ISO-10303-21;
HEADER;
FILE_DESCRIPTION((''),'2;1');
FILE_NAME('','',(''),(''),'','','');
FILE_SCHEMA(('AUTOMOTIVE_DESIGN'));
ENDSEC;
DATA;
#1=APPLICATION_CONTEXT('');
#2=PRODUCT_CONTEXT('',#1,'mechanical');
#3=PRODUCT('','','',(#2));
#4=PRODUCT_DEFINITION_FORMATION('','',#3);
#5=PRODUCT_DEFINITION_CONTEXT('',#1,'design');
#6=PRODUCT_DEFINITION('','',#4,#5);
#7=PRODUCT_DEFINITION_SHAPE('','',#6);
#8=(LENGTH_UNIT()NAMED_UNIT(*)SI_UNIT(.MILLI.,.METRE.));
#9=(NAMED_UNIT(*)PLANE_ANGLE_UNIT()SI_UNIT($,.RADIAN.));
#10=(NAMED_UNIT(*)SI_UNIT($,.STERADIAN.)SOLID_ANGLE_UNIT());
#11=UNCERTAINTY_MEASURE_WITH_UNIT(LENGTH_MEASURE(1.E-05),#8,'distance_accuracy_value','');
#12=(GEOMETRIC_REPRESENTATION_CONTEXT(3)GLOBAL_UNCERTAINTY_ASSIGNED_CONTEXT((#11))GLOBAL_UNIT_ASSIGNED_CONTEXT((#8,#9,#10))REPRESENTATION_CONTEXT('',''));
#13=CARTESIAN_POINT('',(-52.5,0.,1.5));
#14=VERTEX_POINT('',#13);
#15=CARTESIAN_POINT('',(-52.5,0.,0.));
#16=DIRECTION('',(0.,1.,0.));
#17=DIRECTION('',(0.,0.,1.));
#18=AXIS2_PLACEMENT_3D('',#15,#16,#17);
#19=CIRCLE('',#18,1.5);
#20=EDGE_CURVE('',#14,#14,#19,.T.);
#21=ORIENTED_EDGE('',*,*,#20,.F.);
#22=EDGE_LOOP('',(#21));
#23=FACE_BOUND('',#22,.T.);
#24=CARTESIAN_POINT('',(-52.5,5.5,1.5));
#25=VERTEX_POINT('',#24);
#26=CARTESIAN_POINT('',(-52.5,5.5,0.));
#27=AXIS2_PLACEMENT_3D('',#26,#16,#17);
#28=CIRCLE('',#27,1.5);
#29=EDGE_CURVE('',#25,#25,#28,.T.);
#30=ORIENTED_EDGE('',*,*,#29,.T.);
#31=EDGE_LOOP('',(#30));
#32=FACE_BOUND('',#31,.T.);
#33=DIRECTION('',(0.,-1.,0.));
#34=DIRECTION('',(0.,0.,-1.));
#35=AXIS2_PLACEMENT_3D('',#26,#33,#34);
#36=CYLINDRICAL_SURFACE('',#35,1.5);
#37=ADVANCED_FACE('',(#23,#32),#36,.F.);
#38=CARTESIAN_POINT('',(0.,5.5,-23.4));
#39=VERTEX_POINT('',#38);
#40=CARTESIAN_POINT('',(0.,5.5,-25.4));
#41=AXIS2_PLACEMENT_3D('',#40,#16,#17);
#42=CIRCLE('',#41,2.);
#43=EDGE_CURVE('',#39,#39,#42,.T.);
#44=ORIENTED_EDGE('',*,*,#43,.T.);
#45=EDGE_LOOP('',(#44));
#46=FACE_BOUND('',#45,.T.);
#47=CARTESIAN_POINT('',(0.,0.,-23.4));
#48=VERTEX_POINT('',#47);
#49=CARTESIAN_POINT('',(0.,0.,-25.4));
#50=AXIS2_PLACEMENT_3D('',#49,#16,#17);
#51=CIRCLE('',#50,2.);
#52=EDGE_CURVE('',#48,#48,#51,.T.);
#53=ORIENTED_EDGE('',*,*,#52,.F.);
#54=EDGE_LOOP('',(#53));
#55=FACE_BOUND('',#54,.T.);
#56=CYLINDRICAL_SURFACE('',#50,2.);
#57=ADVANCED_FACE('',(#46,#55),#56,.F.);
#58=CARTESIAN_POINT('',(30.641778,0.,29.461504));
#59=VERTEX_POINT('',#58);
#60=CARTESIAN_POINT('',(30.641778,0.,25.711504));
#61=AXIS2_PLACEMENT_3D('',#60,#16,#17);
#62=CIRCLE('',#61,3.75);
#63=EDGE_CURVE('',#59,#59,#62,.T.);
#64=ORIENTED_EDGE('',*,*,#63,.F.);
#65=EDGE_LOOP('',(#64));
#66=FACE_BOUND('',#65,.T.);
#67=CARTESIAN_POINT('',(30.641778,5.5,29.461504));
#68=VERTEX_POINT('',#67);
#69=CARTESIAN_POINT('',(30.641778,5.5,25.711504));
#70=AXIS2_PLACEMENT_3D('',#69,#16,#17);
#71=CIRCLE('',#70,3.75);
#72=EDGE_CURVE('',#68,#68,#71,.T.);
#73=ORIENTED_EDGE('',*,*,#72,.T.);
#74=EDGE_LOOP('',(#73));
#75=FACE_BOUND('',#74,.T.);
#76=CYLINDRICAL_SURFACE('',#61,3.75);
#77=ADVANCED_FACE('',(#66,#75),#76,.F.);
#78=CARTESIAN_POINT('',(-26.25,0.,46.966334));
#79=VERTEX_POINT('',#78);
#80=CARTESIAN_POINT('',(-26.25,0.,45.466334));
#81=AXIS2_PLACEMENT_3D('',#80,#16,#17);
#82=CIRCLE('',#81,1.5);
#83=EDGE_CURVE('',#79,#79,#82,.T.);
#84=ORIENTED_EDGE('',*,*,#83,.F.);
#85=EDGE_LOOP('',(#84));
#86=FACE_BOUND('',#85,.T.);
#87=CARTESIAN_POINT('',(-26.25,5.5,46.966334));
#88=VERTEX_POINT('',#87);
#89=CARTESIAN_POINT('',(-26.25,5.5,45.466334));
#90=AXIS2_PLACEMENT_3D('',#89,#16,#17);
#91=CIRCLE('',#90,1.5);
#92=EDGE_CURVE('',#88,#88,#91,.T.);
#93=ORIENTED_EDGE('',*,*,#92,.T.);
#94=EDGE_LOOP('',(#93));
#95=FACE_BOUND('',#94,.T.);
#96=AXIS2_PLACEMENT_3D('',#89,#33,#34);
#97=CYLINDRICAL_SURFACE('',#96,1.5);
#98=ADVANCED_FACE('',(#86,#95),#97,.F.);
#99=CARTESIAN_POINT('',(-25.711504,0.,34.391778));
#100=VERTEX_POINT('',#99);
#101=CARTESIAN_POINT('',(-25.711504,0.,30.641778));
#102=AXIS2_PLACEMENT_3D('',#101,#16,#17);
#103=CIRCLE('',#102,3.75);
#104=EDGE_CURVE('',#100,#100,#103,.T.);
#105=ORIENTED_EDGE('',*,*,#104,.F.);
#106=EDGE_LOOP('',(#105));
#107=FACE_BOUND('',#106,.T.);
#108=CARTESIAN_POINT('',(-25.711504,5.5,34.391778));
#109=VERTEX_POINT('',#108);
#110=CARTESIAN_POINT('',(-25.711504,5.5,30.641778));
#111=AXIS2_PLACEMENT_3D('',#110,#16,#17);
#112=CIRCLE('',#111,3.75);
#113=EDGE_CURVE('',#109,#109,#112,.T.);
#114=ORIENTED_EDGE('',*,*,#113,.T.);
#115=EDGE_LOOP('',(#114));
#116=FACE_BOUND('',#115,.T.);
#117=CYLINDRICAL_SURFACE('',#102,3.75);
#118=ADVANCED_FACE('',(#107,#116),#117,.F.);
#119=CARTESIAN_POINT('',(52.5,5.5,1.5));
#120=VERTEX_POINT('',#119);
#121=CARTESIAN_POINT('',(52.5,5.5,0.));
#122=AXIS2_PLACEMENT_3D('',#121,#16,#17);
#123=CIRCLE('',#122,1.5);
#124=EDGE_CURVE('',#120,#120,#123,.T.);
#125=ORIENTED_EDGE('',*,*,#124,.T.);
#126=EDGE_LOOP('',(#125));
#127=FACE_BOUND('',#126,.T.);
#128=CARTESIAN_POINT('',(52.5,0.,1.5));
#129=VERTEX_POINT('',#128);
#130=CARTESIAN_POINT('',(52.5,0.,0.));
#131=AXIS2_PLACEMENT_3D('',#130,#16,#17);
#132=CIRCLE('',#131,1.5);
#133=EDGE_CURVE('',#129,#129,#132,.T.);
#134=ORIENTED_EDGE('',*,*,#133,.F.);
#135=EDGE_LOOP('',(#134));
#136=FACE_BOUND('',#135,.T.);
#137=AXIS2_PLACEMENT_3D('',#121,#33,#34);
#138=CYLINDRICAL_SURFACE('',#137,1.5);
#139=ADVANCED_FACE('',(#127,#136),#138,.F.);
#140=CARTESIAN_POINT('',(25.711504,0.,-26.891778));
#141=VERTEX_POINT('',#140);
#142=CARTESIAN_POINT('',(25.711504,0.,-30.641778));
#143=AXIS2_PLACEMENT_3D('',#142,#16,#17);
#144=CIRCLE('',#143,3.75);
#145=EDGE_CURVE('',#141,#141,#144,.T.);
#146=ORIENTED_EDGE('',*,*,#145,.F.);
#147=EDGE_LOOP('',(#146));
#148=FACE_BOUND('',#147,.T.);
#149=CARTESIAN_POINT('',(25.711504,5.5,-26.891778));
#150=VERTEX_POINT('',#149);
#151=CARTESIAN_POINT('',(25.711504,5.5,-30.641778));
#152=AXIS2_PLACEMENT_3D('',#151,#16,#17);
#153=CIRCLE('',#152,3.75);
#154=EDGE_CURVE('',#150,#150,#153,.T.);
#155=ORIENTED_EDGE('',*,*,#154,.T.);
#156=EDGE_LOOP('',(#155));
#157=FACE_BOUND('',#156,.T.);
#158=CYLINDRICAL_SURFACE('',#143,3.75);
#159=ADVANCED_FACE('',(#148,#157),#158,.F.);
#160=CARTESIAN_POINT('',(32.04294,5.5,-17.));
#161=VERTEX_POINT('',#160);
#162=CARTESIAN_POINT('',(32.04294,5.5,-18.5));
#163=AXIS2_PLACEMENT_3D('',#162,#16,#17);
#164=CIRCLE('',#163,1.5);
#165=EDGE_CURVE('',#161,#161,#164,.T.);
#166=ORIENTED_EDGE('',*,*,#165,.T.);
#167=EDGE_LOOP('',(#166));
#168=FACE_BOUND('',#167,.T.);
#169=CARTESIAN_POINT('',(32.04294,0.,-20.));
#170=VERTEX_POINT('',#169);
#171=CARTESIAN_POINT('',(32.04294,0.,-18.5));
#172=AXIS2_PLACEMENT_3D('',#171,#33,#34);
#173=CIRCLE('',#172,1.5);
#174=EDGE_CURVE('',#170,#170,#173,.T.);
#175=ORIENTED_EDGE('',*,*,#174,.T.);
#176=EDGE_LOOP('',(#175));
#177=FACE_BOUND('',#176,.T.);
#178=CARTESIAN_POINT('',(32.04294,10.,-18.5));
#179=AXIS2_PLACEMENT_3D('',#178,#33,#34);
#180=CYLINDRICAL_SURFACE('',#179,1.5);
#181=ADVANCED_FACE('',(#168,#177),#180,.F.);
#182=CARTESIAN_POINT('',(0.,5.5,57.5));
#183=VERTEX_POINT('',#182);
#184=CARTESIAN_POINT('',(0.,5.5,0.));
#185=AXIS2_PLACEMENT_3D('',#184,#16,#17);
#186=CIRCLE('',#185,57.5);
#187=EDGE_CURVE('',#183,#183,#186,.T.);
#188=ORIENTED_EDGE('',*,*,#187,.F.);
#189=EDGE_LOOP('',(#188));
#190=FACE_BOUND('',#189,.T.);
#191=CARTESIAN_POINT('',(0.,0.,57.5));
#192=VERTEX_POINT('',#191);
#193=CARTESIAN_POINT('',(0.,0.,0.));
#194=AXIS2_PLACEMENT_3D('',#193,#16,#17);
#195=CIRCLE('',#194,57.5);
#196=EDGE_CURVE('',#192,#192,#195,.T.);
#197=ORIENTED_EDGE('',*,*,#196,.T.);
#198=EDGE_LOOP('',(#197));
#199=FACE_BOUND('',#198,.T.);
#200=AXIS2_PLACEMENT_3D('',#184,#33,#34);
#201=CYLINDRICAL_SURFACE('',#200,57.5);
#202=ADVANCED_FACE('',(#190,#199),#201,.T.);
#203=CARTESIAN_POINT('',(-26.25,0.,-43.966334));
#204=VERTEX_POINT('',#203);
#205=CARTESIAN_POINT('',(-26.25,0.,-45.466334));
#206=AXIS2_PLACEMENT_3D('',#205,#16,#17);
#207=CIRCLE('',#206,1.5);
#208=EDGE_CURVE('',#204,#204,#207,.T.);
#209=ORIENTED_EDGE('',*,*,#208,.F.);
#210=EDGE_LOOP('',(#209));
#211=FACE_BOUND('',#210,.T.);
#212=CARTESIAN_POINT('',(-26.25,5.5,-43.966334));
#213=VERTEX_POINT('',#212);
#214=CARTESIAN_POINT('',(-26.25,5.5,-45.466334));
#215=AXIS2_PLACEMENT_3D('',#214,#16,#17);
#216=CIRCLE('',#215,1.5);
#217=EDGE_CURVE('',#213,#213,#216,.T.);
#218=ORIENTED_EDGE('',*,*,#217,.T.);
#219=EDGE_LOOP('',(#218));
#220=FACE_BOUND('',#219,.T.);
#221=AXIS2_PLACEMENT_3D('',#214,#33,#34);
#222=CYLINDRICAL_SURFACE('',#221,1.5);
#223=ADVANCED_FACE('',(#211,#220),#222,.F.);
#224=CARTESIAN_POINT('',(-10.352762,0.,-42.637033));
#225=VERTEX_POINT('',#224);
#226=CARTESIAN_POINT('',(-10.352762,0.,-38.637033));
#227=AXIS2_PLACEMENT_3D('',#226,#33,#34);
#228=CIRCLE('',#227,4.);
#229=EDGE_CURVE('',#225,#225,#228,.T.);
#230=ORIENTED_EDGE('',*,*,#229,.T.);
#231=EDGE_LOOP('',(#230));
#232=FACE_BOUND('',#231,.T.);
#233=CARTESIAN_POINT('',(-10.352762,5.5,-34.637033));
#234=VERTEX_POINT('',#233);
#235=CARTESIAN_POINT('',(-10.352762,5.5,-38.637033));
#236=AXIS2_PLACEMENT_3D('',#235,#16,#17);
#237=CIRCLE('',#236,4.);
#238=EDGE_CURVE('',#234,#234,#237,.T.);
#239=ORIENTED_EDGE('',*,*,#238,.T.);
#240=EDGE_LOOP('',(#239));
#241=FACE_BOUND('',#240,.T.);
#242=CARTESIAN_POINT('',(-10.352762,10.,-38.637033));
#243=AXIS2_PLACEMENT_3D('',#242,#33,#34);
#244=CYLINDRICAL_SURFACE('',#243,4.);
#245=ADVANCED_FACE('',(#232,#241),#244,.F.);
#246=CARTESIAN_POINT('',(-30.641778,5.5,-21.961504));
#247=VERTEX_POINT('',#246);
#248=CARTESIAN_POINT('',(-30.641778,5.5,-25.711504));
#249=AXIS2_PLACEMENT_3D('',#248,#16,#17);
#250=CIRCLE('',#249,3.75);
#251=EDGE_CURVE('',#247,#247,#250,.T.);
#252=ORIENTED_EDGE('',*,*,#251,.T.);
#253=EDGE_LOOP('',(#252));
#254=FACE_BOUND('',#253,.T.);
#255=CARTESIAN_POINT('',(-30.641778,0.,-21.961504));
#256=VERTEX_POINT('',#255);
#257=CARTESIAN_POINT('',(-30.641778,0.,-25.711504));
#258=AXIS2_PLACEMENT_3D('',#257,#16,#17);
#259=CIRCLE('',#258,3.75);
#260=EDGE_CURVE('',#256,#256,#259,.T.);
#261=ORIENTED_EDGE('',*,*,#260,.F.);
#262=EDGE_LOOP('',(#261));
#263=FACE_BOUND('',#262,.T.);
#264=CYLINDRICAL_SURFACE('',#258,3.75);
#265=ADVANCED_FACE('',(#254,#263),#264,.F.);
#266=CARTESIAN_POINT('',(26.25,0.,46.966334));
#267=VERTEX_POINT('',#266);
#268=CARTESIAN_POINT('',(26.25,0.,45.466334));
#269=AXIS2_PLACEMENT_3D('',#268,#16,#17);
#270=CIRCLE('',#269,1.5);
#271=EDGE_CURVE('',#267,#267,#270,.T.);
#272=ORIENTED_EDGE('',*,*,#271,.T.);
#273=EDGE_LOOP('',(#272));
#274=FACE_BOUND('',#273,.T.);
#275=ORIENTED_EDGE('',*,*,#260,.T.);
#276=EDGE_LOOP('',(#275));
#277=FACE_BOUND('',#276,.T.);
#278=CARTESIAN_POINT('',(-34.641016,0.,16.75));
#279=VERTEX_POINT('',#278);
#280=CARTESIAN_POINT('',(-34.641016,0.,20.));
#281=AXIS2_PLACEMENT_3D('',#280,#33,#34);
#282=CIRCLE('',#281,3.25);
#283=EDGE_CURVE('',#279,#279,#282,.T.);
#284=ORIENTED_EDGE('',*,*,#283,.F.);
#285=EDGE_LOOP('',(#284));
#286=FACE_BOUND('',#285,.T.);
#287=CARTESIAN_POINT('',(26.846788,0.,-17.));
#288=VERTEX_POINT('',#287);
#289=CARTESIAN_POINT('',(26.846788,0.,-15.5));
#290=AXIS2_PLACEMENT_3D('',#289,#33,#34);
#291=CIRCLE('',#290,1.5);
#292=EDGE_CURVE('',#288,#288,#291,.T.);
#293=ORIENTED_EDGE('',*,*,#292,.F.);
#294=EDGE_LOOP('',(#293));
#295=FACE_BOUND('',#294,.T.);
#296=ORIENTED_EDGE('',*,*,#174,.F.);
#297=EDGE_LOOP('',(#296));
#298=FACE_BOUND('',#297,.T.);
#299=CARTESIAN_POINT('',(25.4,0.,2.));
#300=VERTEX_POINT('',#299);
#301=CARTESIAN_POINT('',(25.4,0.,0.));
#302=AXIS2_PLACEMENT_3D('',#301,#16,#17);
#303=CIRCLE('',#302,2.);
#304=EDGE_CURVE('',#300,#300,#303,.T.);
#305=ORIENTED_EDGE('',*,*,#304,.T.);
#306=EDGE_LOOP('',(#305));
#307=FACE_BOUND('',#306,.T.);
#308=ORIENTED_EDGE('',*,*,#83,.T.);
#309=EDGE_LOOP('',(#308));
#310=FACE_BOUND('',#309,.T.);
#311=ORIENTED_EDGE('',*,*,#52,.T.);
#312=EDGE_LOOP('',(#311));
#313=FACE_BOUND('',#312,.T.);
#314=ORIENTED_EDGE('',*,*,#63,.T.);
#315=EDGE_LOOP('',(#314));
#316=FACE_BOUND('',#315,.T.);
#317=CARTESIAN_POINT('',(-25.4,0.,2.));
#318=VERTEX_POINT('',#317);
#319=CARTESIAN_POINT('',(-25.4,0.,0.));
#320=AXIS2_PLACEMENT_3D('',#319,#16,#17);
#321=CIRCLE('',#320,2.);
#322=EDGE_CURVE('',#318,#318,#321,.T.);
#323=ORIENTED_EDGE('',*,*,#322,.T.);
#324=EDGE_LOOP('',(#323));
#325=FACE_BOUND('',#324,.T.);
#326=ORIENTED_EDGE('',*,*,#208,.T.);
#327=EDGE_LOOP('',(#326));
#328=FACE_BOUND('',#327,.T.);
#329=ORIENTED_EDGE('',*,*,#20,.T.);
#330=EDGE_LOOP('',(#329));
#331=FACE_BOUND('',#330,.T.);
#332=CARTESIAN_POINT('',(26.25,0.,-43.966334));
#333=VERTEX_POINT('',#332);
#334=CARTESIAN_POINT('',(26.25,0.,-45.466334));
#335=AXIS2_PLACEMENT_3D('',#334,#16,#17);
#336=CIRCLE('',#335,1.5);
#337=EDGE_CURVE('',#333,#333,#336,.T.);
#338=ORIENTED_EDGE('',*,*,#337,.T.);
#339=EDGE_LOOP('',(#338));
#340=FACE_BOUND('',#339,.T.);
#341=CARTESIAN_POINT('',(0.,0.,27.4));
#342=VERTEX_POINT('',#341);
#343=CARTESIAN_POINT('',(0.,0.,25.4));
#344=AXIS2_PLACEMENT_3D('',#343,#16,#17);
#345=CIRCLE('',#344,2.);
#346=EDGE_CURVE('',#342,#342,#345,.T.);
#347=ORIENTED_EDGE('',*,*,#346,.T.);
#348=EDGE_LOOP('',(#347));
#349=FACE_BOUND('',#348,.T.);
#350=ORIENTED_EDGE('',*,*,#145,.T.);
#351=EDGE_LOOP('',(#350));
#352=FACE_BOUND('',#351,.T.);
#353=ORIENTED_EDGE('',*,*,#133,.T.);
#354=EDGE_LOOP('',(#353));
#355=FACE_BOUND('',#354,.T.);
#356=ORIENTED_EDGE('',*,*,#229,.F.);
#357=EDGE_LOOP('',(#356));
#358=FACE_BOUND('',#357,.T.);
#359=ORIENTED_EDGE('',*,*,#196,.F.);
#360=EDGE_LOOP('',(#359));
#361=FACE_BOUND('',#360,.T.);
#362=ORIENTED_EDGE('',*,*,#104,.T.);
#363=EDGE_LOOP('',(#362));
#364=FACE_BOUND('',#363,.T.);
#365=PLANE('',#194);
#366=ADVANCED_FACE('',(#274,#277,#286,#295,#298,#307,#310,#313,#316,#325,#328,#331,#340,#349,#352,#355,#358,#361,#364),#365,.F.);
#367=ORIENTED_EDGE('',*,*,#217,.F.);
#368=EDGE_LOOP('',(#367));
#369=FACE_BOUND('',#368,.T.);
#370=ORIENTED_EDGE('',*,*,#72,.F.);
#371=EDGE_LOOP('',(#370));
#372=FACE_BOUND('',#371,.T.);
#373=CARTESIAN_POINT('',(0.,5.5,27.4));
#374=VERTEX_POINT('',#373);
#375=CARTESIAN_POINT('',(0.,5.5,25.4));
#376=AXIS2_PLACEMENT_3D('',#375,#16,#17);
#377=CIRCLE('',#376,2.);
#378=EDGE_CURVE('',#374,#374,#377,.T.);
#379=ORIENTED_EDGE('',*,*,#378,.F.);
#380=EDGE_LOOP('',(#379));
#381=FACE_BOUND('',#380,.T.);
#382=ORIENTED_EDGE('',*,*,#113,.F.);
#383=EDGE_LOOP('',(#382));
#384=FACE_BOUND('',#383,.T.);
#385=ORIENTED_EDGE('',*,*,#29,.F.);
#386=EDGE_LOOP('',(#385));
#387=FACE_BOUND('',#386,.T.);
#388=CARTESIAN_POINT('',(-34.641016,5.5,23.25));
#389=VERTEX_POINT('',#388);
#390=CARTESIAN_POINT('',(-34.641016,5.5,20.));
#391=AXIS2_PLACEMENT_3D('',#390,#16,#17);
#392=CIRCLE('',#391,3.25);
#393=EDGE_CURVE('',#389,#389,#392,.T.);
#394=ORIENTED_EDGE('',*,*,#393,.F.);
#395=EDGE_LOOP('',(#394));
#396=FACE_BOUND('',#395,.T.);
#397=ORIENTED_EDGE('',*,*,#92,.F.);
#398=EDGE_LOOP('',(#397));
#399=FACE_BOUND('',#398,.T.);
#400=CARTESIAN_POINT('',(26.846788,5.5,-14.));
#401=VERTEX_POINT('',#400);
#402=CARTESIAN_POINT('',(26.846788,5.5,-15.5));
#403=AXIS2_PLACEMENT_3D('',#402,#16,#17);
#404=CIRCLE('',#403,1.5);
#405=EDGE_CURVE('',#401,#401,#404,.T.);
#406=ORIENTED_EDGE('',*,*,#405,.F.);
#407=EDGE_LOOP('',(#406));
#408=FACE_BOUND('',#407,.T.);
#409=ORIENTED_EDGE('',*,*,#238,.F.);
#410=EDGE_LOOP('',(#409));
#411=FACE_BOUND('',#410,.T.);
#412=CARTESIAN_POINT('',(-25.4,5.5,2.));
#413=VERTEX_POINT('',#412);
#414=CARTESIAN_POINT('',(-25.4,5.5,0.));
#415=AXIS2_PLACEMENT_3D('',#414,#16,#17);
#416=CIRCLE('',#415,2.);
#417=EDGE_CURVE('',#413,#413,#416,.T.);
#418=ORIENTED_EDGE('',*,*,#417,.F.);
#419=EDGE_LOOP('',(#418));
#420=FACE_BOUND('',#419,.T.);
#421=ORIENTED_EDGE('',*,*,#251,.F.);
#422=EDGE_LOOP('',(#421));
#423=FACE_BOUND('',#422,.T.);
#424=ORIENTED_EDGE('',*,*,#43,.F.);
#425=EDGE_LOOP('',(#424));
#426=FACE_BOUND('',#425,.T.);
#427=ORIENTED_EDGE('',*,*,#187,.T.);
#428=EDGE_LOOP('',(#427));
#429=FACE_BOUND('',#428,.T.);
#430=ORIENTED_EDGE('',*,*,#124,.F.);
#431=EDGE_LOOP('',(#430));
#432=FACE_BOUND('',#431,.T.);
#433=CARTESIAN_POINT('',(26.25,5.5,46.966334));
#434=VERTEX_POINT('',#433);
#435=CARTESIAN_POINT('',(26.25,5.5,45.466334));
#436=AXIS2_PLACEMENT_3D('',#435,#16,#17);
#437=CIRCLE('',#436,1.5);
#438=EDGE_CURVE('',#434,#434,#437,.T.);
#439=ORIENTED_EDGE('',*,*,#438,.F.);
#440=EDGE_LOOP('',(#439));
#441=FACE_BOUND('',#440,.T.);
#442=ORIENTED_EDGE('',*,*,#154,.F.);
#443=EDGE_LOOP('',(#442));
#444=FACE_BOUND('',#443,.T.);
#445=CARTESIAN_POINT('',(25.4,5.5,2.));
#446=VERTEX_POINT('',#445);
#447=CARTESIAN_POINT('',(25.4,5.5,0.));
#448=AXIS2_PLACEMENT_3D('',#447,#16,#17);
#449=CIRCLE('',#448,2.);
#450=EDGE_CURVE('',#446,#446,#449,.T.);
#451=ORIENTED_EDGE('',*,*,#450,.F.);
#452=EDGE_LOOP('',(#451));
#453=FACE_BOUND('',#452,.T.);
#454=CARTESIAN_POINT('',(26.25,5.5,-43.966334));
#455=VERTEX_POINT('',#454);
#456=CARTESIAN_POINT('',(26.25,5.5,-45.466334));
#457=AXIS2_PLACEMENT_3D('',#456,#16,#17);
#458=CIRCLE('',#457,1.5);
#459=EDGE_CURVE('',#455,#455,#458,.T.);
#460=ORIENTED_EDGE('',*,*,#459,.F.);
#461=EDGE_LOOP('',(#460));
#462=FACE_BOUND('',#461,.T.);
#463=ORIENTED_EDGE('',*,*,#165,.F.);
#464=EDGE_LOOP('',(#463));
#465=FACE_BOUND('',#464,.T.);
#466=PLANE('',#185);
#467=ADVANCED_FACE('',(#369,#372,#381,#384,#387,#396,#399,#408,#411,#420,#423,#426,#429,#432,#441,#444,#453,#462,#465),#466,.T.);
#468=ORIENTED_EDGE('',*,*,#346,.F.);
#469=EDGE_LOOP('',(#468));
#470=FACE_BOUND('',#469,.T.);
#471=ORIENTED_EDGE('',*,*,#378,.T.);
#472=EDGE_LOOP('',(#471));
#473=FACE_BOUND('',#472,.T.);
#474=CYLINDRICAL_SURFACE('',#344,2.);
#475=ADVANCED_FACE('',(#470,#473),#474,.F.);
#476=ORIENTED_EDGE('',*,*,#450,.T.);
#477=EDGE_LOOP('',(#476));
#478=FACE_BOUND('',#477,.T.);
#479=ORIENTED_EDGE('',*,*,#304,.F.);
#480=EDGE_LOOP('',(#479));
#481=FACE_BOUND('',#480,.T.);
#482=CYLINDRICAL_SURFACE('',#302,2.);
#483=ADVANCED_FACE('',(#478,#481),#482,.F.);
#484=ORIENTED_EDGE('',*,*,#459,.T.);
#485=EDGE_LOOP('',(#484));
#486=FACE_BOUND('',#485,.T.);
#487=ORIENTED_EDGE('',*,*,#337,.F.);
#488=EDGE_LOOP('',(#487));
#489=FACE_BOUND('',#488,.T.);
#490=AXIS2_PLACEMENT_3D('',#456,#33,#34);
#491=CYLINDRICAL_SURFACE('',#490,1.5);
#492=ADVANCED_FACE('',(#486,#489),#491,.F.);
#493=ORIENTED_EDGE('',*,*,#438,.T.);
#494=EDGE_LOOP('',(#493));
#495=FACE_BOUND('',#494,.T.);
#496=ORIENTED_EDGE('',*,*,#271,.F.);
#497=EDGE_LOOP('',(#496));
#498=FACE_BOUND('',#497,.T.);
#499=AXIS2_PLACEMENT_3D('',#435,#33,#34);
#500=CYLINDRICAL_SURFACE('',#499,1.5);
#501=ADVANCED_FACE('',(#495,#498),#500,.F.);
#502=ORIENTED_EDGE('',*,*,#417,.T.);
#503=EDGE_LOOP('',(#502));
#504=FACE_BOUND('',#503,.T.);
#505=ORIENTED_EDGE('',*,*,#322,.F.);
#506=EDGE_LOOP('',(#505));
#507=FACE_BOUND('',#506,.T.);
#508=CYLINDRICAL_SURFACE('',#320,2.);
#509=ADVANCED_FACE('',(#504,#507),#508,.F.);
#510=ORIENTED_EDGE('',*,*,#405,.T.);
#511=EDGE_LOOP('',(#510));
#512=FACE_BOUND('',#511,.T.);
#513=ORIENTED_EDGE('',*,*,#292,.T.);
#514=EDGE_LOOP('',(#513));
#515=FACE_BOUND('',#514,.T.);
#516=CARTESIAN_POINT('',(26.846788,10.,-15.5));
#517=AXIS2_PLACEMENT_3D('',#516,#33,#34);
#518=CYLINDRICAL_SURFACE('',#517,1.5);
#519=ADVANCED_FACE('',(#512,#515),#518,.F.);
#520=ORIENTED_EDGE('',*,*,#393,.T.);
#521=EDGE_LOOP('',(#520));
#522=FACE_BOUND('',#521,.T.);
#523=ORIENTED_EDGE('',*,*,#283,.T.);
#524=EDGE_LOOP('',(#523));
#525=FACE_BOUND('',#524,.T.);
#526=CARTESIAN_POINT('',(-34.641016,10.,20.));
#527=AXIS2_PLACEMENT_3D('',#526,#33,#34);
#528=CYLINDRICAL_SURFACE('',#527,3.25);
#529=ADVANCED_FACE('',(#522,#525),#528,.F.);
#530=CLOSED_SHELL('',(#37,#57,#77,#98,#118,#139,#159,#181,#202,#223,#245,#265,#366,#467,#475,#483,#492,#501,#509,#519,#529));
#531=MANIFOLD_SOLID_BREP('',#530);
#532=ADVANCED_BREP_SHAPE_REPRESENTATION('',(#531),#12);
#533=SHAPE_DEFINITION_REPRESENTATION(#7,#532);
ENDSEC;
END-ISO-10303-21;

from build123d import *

# Parameters (mm, degrees)
SKETCH1_R           = 57.5
SKETCH1_R_2         = 1.5
BOSS_EXTRUDE1_DEPTH = 5.5
SKETCH3_R           = 2
CUT_EXTRUDE1_DEPTH  = 5.5
SKETCH4_R           = 3.75
CUT_EXTRUDE3_DEPTH  = 5.5
SKETCH5_R           = 3.25
CUT_EXTRUDE4_DEPTH  = 10
SKETCH6_R           = 4
SKETCH6_R_2         = 1.5
CUT_EXTRUDE5_DEPTH  = 10


with BuildPart() as part:
    # Sketch1 → Boss-Extrude1 (new body)
    with BuildSketch(Plane(origin=(0, 0, 0), x_dir=(1, 0, 0), z_dir=(0, 1, 0))):
        Circle(SKETCH1_R)
        with Locations((-52.5, 0)):
            Circle(SKETCH1_R_2, mode=Mode.SUBTRACT)
        with Locations((-26.25, 45.466333699)):
            Circle(SKETCH1_R_2, mode=Mode.SUBTRACT)
        with Locations((26.25, 45.466333699)):
            Circle(SKETCH1_R_2, mode=Mode.SUBTRACT)
        with Locations((52.5, 0)):
            Circle(SKETCH1_R_2, mode=Mode.SUBTRACT)
        with Locations((26.25, -45.466333699)):
            Circle(SKETCH1_R_2, mode=Mode.SUBTRACT)
        with Locations((-26.25, -45.466333699)):
            Circle(SKETCH1_R_2, mode=Mode.SUBTRACT)
    extrude(amount=BOSS_EXTRUDE1_DEPTH)

    # Sketch3 → Cut-Extrude1 (cut)
    with BuildSketch(Plane(origin=(0, 5.5, 0), x_dir=(1, 0, 0), z_dir=(0, 1, 0))):
        with Locations((0, 25.4)):
            Circle(SKETCH3_R)
        with Locations((25.4, 0)):
            Circle(SKETCH3_R)
        with Locations((0, -25.4)):
            Circle(SKETCH3_R)
        with Locations((-25.4, 0)):
            Circle(SKETCH3_R)
    extrude(amount=-CUT_EXTRUDE1_DEPTH, mode=Mode.SUBTRACT)

    # Sketch4 → Cut-Extrude3 (cut)
    with BuildSketch(Plane(origin=(0, 5.5, 0), x_dir=(1, 0, 0), z_dir=(0, 1, 0))):
        with Locations((-30.641777725, 25.711504387)):
            Circle(SKETCH4_R)
        with Locations((25.711504387, 30.641777725)):
            Circle(SKETCH4_R)
        with Locations((30.641777725, -25.711504387)):
            Circle(SKETCH4_R)
        with Locations((-25.711504387, -30.641777725)):
            Circle(SKETCH4_R)
    extrude(amount=-CUT_EXTRUDE3_DEPTH, mode=Mode.SUBTRACT)

    # Sketch5 → Cut-Extrude4 (cut)
    with BuildSketch(Plane.XZ):
        with Locations((-34.641016151, 20)):
            Circle(SKETCH5_R)
    extrude(amount=-CUT_EXTRUDE4_DEPTH, mode=Mode.SUBTRACT)

    # Sketch6 → Cut-Extrude5 (cut)
    with BuildSketch(Plane.XZ):
        with Locations((-10.352761804, -38.637033052)):
            Circle(SKETCH6_R)
        with Locations((32.04293994, -18.5)):
            Circle(SKETCH6_R_2)
        with Locations((26.846787517, -15.5)):
            Circle(SKETCH6_R_2)
    extrude(amount=-CUT_EXTRUDE5_DEPTH, mode=Mode.SUBTRACT)


solid = part.part
